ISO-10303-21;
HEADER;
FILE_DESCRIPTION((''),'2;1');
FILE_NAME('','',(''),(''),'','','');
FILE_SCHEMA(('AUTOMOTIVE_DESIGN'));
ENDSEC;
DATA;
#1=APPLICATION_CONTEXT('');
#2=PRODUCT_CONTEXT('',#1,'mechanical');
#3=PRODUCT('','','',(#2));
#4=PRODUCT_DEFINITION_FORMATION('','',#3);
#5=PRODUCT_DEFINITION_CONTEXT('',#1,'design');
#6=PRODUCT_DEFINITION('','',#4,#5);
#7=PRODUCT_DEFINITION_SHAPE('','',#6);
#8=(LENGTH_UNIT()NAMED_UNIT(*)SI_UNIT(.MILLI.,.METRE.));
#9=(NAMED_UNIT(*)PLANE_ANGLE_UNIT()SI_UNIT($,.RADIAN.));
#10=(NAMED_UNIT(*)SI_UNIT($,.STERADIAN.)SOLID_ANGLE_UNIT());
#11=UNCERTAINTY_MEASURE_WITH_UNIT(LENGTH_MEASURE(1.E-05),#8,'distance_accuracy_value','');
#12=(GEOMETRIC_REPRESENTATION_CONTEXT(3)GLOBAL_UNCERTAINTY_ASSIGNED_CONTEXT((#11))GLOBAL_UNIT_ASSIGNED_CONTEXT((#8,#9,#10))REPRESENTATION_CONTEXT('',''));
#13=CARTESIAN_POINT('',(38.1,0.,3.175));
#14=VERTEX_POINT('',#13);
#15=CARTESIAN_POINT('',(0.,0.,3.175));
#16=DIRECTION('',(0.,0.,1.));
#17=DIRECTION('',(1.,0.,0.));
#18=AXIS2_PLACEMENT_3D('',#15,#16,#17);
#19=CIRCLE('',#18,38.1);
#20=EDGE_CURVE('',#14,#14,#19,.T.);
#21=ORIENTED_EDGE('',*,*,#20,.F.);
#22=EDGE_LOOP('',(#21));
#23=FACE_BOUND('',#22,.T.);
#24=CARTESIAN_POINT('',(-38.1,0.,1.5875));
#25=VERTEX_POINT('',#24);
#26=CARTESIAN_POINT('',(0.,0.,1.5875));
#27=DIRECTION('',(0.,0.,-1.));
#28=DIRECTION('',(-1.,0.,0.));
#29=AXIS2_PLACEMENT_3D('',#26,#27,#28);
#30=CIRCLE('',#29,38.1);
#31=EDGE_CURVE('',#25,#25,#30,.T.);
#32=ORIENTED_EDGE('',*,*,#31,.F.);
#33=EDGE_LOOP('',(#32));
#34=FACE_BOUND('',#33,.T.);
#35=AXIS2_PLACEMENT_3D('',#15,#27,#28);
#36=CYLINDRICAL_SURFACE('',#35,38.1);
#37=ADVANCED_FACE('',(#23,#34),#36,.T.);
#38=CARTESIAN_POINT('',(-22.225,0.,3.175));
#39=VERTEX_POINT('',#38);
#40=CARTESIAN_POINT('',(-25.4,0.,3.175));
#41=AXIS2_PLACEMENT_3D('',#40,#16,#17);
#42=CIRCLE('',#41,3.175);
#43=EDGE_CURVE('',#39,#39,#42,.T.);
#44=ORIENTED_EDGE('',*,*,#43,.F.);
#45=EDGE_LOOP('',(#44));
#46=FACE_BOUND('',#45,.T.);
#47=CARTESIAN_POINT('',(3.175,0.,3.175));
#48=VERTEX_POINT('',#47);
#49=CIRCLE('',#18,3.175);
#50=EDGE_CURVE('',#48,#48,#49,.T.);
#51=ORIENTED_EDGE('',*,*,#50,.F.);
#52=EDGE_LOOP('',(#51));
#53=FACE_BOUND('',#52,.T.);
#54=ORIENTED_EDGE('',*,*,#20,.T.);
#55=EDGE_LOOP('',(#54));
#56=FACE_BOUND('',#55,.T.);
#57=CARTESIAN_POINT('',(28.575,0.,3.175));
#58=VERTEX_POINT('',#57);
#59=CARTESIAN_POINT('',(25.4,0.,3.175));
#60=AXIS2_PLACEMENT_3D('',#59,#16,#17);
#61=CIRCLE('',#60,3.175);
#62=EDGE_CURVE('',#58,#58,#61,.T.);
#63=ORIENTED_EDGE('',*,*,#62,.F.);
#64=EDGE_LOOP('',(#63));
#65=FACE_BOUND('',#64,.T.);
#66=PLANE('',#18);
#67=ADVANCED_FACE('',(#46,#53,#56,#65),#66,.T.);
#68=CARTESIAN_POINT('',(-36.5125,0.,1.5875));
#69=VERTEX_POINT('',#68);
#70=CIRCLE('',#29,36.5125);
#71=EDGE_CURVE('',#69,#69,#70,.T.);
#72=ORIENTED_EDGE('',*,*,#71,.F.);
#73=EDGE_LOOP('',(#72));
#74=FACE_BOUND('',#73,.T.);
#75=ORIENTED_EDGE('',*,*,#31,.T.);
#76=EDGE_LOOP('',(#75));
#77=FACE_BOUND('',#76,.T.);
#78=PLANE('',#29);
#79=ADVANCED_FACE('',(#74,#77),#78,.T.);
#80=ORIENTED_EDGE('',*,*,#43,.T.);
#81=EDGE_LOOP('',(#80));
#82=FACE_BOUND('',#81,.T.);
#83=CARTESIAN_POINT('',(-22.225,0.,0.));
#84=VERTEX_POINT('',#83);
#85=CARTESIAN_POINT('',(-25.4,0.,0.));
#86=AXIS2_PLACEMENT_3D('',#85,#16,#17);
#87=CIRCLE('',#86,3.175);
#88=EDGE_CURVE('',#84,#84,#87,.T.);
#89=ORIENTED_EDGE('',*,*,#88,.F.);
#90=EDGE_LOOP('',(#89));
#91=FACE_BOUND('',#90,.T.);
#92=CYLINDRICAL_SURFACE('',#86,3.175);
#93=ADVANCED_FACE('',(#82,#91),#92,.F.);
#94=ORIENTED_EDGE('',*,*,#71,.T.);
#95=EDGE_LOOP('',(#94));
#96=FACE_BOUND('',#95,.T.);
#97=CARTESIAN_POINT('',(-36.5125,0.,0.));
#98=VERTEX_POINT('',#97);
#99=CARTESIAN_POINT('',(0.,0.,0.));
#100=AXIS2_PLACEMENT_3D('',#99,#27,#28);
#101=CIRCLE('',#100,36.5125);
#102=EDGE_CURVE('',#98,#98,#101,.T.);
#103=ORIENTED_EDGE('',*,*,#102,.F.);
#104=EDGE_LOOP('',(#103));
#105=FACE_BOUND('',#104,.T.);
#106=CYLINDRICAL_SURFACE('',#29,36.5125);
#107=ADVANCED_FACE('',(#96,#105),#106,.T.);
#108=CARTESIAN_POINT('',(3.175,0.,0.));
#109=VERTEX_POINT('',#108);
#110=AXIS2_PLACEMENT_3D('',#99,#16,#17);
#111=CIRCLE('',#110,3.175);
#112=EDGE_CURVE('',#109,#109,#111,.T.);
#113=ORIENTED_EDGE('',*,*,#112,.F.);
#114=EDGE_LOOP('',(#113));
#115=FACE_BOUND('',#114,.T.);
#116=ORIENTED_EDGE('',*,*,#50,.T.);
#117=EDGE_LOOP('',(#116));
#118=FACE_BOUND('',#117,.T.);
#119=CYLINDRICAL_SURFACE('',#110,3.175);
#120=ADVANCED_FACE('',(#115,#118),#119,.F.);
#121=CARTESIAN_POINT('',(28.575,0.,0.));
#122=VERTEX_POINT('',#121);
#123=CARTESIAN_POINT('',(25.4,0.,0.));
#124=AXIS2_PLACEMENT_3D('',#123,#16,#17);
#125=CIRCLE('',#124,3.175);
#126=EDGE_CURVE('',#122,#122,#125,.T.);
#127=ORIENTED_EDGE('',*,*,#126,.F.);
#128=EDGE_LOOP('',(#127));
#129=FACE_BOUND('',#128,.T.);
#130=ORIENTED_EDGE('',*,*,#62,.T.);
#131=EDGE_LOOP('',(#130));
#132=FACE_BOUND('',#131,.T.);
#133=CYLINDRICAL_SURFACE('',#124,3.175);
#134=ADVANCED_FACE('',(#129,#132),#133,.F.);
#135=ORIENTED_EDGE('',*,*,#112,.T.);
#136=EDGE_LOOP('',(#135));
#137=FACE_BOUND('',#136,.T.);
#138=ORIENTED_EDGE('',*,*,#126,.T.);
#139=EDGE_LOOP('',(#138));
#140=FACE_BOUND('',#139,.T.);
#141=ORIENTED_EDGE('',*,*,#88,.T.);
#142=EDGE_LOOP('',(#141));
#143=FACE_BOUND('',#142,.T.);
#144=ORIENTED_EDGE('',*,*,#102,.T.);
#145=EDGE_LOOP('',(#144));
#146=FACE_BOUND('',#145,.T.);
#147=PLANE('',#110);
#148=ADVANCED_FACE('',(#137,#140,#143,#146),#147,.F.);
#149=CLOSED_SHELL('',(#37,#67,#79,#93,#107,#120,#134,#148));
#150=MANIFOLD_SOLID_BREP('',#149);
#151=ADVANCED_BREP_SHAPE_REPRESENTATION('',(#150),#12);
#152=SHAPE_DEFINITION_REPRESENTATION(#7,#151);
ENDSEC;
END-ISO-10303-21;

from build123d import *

# Parameters (mm, degrees)
SKETCH1_R           = 38.1
BOSS_EXTRUDE1_DEPTH = 3.175
SKETCH2_R           = 38.1
SKETCH2_R_2         = 36.5125
CUT_EXTRUDE1_DEPTH  = 1.5875
SKETCH3_R           = 3.175
CUT_EXTRUDE2_DEPTH  = 54.975


with BuildPart() as part:
    # Sketch1 → Boss-Extrude1 (new body)
    with BuildSketch(Plane.XY):
        Circle(SKETCH1_R)
    extrude(amount=BOSS_EXTRUDE1_DEPTH)

    # Sketch2 → Cut-Extrude1 (cut)
    with BuildSketch(Plane(origin=(0, 0, 0), x_dir=(-1, 0, 0), z_dir=(0, 0, -1))):
        Circle(SKETCH2_R)
        Circle(SKETCH2_R_2, mode=Mode.SUBTRACT)
    extrude(amount=-CUT_EXTRUDE1_DEPTH, mode=Mode.SUBTRACT)

    # Sketch3 → Cut-Extrude2 (cut, through all)
    with BuildSketch(Plane.XY.offset(3.175)):
        Circle(SKETCH3_R)
        with Locations((25.4, 0)):
            Circle(SKETCH3_R)
        with Locations((-25.4, 0)):
            Circle(SKETCH3_R)
    extrude(amount=-CUT_EXTRUDE2_DEPTH, mode=Mode.SUBTRACT)


solid = part.part
